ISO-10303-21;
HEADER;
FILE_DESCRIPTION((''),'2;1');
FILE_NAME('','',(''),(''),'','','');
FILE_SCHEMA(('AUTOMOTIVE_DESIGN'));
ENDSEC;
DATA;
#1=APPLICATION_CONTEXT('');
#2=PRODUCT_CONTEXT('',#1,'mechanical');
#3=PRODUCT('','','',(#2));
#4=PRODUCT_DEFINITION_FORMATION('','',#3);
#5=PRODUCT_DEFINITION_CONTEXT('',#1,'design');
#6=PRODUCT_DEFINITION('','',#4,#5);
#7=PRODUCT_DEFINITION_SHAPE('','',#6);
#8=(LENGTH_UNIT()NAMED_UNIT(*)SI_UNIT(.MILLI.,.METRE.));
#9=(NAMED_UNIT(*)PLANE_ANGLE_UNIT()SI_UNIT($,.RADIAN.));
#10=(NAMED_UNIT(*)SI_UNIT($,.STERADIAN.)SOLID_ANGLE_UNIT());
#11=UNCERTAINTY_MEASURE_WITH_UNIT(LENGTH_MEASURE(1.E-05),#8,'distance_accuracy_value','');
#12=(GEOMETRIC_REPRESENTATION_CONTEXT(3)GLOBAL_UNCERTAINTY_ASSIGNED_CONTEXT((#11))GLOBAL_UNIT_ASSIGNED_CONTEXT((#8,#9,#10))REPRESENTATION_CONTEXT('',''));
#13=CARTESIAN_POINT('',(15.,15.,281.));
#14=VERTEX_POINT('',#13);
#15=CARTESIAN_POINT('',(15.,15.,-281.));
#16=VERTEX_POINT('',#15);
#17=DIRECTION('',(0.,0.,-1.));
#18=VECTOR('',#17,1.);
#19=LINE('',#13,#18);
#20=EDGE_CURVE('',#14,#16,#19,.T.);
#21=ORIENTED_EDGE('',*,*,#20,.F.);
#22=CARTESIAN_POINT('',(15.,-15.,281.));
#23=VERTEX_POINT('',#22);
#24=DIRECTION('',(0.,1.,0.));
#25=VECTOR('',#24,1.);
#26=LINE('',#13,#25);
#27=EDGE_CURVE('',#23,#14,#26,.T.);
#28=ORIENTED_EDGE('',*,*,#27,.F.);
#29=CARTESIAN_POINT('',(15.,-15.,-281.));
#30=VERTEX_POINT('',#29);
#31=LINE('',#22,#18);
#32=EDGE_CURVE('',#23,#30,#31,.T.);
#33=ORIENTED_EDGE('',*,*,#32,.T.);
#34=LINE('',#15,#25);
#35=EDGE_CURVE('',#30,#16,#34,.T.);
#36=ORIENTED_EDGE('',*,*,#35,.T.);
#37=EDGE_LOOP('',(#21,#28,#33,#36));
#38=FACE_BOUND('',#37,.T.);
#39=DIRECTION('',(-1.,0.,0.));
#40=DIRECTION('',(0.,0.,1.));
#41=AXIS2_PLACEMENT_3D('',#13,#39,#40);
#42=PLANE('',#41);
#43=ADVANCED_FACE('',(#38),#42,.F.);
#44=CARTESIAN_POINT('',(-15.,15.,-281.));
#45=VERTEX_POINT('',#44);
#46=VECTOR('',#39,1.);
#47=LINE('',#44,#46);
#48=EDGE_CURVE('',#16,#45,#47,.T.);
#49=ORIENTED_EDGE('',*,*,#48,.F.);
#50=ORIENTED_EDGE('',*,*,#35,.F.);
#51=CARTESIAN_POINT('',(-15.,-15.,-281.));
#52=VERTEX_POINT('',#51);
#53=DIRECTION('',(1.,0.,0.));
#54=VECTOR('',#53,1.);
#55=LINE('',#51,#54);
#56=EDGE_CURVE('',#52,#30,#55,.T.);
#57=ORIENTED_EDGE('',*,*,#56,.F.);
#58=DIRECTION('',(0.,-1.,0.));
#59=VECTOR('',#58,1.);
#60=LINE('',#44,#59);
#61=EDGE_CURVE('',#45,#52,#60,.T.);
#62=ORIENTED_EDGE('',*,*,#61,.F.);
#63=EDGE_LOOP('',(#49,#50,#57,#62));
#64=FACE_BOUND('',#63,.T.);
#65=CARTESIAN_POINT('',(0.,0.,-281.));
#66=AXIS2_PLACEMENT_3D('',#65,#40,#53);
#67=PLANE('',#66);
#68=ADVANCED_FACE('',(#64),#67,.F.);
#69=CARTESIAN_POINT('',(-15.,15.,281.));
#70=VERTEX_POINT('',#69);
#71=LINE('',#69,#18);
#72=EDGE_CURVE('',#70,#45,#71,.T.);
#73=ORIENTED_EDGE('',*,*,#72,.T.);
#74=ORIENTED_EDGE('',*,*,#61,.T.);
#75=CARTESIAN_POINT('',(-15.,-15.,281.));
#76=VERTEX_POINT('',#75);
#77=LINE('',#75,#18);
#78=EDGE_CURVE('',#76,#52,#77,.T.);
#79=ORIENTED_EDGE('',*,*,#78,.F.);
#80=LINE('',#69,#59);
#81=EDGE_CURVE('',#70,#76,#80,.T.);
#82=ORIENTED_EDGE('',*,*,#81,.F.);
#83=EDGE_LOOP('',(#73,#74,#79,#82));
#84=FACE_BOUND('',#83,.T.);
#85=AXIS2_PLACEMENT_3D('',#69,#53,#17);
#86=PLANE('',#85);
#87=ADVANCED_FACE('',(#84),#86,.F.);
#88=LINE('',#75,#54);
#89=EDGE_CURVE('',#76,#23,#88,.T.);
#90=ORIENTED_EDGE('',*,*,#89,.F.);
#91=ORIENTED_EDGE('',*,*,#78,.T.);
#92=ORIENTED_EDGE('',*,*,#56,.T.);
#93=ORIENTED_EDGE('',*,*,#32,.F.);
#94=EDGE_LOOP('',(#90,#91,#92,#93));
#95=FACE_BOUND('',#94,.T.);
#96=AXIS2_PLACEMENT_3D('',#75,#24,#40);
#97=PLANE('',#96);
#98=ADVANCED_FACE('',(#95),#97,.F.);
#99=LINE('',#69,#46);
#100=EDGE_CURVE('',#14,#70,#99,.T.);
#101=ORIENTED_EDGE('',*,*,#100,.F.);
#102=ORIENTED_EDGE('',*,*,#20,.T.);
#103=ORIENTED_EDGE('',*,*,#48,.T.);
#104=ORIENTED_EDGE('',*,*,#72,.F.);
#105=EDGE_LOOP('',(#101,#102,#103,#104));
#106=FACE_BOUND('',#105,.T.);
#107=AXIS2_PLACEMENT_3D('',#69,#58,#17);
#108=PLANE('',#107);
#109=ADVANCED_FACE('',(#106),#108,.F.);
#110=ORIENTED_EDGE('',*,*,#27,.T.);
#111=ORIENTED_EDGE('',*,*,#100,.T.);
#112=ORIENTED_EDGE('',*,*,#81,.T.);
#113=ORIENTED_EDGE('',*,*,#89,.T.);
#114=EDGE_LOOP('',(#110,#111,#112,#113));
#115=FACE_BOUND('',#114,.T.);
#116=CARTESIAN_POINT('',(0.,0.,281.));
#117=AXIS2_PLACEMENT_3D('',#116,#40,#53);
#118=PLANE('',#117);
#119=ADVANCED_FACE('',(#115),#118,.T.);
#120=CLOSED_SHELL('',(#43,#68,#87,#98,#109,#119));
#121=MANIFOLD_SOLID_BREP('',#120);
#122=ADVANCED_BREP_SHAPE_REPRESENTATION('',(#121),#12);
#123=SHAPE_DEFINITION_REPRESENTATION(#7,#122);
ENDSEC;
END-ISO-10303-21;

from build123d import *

# Parameters (mm, degrees)
SKETCH_1_W      = 30
SKETCH_1_H      = 30
EXTRUDE_1_DEPTH = 281


with BuildPart() as part:
    # 草图1 → 凸台-拉伸1 (new, symmetric)
    with BuildSketch(Plane.XY):
        Rectangle(SKETCH_1_W, SKETCH_1_H)
    extrude(amount=EXTRUDE_1_DEPTH, both=True)


solid = part.part
